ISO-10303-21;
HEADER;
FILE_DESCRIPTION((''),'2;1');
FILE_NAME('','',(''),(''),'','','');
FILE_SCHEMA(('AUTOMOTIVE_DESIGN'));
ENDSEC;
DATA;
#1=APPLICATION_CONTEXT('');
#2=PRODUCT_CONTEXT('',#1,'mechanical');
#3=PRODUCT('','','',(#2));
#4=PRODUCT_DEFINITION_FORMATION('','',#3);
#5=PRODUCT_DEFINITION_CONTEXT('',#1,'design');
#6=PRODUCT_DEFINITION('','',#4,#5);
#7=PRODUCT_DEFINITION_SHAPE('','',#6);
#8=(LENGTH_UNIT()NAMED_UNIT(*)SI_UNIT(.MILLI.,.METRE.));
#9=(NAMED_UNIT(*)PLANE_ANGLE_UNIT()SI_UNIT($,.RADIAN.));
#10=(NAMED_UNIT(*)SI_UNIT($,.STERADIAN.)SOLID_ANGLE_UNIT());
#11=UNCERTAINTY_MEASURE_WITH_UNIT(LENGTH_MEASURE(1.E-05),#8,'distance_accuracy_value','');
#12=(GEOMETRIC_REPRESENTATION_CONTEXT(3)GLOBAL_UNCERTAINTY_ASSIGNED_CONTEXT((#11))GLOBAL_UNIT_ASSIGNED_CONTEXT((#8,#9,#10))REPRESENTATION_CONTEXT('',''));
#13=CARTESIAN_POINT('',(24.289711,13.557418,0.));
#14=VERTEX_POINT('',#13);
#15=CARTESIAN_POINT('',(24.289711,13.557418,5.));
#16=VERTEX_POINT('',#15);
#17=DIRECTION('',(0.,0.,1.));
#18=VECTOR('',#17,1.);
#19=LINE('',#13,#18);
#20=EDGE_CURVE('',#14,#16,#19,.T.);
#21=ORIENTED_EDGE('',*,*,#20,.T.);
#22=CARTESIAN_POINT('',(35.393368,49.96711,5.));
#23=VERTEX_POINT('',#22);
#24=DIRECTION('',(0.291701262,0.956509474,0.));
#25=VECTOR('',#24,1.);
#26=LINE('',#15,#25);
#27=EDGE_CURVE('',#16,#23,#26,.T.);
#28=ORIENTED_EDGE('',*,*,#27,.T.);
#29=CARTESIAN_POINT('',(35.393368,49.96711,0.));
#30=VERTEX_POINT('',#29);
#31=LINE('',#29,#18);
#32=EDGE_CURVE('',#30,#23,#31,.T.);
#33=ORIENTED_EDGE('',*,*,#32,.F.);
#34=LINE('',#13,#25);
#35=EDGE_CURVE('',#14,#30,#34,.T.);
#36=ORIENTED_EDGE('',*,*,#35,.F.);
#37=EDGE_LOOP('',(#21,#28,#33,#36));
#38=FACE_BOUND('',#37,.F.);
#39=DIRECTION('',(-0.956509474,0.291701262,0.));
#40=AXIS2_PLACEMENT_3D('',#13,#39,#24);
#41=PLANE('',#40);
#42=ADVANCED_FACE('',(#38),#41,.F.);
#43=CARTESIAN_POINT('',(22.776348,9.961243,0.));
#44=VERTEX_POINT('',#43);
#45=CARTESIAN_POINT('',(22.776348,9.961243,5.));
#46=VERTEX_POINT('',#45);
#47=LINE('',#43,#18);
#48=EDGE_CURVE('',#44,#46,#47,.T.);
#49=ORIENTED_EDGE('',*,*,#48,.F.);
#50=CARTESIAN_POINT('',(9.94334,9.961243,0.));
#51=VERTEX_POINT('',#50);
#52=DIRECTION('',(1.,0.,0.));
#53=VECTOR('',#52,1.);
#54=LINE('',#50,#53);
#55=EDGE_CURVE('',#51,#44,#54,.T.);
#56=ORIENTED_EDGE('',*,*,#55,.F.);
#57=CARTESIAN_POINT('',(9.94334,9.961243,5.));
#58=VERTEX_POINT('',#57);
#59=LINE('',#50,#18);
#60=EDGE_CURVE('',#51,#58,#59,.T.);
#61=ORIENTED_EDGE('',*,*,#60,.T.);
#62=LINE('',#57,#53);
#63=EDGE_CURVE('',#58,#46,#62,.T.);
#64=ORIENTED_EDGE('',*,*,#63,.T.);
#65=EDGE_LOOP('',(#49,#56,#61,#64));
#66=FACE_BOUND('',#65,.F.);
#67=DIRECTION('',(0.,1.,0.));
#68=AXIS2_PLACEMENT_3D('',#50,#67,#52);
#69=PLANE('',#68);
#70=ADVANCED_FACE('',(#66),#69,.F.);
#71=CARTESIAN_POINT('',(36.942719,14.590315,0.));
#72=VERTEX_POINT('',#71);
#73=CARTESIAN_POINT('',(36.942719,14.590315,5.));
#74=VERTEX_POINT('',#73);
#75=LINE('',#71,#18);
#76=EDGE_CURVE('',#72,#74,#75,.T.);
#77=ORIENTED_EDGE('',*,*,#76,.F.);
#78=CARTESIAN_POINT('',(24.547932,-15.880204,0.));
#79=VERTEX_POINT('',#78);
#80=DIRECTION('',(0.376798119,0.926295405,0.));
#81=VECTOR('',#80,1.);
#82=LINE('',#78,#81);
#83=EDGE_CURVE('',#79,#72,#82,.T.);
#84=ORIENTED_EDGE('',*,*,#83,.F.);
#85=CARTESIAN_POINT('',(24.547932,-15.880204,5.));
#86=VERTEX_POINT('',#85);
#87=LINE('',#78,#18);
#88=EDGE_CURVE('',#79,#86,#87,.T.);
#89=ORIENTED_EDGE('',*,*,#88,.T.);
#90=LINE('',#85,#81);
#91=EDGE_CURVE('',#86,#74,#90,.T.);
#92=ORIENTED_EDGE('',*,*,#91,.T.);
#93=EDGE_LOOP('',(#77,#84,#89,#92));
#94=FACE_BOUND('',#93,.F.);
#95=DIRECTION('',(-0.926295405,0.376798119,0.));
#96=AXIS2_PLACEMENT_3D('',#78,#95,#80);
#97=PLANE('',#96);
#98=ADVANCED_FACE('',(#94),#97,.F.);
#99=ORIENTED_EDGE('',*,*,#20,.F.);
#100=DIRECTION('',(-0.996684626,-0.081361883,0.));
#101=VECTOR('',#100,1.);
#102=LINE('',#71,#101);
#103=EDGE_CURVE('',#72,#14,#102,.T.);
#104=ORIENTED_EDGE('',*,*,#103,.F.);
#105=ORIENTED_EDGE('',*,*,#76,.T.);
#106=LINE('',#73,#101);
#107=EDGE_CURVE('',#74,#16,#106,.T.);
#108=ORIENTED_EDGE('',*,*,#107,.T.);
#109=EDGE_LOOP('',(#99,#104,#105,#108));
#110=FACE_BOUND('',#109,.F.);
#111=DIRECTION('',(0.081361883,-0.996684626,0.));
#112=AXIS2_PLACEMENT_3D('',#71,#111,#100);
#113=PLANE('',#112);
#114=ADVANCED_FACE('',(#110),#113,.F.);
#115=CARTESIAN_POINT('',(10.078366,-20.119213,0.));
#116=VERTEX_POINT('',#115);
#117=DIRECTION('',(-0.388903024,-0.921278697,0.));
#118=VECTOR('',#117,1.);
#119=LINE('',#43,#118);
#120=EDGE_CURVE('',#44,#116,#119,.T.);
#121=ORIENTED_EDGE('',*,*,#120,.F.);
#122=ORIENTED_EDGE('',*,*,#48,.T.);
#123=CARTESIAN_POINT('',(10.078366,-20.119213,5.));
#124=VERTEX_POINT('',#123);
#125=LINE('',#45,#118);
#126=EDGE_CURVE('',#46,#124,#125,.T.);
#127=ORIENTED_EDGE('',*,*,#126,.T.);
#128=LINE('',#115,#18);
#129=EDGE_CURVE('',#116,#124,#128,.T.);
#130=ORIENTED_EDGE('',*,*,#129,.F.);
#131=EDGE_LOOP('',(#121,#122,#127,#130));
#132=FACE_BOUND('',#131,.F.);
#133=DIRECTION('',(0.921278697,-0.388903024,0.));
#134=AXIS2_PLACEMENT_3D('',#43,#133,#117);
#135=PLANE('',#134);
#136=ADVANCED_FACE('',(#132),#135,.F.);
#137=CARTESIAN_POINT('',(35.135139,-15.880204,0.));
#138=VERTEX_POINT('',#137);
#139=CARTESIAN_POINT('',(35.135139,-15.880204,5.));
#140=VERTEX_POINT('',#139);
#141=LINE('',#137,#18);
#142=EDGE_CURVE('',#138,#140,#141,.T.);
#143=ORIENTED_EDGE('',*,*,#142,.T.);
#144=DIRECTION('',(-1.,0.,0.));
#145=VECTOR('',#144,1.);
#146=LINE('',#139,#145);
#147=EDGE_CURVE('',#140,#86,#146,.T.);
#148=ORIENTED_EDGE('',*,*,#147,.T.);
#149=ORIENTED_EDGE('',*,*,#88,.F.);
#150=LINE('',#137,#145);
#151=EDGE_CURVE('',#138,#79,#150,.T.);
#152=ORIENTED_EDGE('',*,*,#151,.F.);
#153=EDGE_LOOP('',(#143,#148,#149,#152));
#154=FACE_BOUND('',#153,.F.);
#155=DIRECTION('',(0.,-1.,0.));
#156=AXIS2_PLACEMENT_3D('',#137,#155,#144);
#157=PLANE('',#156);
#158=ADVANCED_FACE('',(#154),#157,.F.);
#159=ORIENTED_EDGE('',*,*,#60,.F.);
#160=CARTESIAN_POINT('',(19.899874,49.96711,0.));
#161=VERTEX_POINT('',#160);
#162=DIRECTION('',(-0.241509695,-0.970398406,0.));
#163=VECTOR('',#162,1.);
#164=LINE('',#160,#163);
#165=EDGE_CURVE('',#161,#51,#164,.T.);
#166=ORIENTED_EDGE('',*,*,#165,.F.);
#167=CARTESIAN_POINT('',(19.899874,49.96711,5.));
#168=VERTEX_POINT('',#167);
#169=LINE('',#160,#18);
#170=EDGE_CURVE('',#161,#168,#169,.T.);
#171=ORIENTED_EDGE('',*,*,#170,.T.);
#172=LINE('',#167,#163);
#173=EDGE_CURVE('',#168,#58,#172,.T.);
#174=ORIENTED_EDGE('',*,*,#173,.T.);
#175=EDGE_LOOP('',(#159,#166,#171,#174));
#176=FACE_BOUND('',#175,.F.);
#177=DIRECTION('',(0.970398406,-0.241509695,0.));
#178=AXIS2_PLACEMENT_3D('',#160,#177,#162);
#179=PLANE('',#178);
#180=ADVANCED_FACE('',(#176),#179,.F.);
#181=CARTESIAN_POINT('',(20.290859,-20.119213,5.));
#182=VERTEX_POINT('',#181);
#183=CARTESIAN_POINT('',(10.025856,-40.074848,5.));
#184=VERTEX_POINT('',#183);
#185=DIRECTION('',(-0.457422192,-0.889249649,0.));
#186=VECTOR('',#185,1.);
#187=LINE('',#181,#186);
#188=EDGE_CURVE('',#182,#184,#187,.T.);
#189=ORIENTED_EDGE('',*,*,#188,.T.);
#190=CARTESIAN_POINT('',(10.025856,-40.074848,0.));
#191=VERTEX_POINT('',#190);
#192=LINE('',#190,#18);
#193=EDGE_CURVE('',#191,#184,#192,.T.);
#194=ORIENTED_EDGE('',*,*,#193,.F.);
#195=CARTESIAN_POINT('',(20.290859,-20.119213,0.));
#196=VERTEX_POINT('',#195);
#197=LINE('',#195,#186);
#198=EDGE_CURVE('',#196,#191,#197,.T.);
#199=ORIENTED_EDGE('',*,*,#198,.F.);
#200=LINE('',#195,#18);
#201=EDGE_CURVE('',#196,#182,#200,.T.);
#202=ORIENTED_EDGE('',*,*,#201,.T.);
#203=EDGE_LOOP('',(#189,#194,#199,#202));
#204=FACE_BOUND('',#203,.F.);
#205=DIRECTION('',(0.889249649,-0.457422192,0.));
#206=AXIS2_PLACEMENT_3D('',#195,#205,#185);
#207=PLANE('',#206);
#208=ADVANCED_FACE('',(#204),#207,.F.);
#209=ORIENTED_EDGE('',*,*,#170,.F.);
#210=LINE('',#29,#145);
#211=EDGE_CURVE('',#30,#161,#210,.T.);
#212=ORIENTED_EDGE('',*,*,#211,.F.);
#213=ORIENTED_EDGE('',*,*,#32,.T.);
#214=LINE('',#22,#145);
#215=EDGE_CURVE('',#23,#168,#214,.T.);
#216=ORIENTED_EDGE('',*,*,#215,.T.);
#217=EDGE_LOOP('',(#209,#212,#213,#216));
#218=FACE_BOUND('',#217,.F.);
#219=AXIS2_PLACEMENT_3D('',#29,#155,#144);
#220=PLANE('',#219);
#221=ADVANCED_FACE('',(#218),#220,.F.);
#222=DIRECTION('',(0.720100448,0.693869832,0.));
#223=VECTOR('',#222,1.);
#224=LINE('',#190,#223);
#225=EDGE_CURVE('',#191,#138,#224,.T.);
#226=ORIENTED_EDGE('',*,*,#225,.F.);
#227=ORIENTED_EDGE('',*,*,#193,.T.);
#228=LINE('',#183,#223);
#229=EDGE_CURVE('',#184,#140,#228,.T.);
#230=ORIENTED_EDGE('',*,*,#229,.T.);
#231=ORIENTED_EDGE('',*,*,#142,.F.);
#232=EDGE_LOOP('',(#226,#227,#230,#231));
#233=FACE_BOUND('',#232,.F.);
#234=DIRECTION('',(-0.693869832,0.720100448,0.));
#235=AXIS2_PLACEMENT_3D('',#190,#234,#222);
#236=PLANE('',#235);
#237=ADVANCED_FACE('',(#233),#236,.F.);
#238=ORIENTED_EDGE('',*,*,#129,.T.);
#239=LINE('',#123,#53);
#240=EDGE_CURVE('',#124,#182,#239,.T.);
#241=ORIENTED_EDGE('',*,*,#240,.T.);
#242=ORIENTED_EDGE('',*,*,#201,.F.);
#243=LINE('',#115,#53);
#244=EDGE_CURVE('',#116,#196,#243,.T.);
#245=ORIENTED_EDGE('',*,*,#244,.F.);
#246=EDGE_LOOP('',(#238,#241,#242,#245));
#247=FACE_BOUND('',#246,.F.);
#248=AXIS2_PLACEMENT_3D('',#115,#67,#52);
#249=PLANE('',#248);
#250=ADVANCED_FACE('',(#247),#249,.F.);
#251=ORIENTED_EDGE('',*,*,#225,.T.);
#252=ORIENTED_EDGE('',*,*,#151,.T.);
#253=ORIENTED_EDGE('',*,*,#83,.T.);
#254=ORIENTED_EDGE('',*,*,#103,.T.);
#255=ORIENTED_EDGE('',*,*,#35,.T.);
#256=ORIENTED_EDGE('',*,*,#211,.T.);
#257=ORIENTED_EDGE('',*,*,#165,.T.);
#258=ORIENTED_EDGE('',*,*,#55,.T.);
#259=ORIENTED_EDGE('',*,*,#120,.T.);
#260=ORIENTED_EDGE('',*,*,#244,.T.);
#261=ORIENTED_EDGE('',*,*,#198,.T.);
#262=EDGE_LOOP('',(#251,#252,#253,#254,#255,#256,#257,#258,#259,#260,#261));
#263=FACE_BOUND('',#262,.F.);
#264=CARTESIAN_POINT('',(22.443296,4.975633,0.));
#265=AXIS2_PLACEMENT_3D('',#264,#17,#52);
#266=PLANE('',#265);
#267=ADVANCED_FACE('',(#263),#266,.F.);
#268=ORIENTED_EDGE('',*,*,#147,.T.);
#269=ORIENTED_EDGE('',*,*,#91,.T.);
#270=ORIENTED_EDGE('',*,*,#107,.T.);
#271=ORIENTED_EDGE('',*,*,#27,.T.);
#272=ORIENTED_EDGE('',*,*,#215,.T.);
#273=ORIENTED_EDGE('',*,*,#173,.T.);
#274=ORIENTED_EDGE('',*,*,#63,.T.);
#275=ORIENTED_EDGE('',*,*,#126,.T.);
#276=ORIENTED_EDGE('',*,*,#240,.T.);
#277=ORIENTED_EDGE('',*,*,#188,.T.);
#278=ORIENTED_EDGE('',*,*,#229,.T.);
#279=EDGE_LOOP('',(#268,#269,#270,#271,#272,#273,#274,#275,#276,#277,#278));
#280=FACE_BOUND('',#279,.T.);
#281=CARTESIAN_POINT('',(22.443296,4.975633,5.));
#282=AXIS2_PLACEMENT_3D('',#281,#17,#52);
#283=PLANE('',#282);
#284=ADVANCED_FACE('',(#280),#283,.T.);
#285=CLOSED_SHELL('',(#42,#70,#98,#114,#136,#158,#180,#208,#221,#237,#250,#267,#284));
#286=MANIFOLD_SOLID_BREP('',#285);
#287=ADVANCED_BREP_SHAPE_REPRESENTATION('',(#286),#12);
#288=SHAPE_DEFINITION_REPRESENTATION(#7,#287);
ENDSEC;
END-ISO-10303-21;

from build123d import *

# Parameters (mm, degrees)
PAD_DEPTH = 5


with BuildPart() as part:
    # Sketch → Pad (new body)
    with BuildSketch(Plane.XY):
        Polygon((9.94334, 9.961243), (22.776348, 9.961243), (10.078366, -20.119213), (20.290859, -20.119213), (10.025856, -40.074848), (35.135139, -15.880204), (24.547932, -15.880204), (36.942719, 14.590315), (24.289711, 13.557418), (35.393368, 49.96711), (19.899874, 49.96711), align=None)
    extrude(amount=PAD_DEPTH)


solid = part.part
